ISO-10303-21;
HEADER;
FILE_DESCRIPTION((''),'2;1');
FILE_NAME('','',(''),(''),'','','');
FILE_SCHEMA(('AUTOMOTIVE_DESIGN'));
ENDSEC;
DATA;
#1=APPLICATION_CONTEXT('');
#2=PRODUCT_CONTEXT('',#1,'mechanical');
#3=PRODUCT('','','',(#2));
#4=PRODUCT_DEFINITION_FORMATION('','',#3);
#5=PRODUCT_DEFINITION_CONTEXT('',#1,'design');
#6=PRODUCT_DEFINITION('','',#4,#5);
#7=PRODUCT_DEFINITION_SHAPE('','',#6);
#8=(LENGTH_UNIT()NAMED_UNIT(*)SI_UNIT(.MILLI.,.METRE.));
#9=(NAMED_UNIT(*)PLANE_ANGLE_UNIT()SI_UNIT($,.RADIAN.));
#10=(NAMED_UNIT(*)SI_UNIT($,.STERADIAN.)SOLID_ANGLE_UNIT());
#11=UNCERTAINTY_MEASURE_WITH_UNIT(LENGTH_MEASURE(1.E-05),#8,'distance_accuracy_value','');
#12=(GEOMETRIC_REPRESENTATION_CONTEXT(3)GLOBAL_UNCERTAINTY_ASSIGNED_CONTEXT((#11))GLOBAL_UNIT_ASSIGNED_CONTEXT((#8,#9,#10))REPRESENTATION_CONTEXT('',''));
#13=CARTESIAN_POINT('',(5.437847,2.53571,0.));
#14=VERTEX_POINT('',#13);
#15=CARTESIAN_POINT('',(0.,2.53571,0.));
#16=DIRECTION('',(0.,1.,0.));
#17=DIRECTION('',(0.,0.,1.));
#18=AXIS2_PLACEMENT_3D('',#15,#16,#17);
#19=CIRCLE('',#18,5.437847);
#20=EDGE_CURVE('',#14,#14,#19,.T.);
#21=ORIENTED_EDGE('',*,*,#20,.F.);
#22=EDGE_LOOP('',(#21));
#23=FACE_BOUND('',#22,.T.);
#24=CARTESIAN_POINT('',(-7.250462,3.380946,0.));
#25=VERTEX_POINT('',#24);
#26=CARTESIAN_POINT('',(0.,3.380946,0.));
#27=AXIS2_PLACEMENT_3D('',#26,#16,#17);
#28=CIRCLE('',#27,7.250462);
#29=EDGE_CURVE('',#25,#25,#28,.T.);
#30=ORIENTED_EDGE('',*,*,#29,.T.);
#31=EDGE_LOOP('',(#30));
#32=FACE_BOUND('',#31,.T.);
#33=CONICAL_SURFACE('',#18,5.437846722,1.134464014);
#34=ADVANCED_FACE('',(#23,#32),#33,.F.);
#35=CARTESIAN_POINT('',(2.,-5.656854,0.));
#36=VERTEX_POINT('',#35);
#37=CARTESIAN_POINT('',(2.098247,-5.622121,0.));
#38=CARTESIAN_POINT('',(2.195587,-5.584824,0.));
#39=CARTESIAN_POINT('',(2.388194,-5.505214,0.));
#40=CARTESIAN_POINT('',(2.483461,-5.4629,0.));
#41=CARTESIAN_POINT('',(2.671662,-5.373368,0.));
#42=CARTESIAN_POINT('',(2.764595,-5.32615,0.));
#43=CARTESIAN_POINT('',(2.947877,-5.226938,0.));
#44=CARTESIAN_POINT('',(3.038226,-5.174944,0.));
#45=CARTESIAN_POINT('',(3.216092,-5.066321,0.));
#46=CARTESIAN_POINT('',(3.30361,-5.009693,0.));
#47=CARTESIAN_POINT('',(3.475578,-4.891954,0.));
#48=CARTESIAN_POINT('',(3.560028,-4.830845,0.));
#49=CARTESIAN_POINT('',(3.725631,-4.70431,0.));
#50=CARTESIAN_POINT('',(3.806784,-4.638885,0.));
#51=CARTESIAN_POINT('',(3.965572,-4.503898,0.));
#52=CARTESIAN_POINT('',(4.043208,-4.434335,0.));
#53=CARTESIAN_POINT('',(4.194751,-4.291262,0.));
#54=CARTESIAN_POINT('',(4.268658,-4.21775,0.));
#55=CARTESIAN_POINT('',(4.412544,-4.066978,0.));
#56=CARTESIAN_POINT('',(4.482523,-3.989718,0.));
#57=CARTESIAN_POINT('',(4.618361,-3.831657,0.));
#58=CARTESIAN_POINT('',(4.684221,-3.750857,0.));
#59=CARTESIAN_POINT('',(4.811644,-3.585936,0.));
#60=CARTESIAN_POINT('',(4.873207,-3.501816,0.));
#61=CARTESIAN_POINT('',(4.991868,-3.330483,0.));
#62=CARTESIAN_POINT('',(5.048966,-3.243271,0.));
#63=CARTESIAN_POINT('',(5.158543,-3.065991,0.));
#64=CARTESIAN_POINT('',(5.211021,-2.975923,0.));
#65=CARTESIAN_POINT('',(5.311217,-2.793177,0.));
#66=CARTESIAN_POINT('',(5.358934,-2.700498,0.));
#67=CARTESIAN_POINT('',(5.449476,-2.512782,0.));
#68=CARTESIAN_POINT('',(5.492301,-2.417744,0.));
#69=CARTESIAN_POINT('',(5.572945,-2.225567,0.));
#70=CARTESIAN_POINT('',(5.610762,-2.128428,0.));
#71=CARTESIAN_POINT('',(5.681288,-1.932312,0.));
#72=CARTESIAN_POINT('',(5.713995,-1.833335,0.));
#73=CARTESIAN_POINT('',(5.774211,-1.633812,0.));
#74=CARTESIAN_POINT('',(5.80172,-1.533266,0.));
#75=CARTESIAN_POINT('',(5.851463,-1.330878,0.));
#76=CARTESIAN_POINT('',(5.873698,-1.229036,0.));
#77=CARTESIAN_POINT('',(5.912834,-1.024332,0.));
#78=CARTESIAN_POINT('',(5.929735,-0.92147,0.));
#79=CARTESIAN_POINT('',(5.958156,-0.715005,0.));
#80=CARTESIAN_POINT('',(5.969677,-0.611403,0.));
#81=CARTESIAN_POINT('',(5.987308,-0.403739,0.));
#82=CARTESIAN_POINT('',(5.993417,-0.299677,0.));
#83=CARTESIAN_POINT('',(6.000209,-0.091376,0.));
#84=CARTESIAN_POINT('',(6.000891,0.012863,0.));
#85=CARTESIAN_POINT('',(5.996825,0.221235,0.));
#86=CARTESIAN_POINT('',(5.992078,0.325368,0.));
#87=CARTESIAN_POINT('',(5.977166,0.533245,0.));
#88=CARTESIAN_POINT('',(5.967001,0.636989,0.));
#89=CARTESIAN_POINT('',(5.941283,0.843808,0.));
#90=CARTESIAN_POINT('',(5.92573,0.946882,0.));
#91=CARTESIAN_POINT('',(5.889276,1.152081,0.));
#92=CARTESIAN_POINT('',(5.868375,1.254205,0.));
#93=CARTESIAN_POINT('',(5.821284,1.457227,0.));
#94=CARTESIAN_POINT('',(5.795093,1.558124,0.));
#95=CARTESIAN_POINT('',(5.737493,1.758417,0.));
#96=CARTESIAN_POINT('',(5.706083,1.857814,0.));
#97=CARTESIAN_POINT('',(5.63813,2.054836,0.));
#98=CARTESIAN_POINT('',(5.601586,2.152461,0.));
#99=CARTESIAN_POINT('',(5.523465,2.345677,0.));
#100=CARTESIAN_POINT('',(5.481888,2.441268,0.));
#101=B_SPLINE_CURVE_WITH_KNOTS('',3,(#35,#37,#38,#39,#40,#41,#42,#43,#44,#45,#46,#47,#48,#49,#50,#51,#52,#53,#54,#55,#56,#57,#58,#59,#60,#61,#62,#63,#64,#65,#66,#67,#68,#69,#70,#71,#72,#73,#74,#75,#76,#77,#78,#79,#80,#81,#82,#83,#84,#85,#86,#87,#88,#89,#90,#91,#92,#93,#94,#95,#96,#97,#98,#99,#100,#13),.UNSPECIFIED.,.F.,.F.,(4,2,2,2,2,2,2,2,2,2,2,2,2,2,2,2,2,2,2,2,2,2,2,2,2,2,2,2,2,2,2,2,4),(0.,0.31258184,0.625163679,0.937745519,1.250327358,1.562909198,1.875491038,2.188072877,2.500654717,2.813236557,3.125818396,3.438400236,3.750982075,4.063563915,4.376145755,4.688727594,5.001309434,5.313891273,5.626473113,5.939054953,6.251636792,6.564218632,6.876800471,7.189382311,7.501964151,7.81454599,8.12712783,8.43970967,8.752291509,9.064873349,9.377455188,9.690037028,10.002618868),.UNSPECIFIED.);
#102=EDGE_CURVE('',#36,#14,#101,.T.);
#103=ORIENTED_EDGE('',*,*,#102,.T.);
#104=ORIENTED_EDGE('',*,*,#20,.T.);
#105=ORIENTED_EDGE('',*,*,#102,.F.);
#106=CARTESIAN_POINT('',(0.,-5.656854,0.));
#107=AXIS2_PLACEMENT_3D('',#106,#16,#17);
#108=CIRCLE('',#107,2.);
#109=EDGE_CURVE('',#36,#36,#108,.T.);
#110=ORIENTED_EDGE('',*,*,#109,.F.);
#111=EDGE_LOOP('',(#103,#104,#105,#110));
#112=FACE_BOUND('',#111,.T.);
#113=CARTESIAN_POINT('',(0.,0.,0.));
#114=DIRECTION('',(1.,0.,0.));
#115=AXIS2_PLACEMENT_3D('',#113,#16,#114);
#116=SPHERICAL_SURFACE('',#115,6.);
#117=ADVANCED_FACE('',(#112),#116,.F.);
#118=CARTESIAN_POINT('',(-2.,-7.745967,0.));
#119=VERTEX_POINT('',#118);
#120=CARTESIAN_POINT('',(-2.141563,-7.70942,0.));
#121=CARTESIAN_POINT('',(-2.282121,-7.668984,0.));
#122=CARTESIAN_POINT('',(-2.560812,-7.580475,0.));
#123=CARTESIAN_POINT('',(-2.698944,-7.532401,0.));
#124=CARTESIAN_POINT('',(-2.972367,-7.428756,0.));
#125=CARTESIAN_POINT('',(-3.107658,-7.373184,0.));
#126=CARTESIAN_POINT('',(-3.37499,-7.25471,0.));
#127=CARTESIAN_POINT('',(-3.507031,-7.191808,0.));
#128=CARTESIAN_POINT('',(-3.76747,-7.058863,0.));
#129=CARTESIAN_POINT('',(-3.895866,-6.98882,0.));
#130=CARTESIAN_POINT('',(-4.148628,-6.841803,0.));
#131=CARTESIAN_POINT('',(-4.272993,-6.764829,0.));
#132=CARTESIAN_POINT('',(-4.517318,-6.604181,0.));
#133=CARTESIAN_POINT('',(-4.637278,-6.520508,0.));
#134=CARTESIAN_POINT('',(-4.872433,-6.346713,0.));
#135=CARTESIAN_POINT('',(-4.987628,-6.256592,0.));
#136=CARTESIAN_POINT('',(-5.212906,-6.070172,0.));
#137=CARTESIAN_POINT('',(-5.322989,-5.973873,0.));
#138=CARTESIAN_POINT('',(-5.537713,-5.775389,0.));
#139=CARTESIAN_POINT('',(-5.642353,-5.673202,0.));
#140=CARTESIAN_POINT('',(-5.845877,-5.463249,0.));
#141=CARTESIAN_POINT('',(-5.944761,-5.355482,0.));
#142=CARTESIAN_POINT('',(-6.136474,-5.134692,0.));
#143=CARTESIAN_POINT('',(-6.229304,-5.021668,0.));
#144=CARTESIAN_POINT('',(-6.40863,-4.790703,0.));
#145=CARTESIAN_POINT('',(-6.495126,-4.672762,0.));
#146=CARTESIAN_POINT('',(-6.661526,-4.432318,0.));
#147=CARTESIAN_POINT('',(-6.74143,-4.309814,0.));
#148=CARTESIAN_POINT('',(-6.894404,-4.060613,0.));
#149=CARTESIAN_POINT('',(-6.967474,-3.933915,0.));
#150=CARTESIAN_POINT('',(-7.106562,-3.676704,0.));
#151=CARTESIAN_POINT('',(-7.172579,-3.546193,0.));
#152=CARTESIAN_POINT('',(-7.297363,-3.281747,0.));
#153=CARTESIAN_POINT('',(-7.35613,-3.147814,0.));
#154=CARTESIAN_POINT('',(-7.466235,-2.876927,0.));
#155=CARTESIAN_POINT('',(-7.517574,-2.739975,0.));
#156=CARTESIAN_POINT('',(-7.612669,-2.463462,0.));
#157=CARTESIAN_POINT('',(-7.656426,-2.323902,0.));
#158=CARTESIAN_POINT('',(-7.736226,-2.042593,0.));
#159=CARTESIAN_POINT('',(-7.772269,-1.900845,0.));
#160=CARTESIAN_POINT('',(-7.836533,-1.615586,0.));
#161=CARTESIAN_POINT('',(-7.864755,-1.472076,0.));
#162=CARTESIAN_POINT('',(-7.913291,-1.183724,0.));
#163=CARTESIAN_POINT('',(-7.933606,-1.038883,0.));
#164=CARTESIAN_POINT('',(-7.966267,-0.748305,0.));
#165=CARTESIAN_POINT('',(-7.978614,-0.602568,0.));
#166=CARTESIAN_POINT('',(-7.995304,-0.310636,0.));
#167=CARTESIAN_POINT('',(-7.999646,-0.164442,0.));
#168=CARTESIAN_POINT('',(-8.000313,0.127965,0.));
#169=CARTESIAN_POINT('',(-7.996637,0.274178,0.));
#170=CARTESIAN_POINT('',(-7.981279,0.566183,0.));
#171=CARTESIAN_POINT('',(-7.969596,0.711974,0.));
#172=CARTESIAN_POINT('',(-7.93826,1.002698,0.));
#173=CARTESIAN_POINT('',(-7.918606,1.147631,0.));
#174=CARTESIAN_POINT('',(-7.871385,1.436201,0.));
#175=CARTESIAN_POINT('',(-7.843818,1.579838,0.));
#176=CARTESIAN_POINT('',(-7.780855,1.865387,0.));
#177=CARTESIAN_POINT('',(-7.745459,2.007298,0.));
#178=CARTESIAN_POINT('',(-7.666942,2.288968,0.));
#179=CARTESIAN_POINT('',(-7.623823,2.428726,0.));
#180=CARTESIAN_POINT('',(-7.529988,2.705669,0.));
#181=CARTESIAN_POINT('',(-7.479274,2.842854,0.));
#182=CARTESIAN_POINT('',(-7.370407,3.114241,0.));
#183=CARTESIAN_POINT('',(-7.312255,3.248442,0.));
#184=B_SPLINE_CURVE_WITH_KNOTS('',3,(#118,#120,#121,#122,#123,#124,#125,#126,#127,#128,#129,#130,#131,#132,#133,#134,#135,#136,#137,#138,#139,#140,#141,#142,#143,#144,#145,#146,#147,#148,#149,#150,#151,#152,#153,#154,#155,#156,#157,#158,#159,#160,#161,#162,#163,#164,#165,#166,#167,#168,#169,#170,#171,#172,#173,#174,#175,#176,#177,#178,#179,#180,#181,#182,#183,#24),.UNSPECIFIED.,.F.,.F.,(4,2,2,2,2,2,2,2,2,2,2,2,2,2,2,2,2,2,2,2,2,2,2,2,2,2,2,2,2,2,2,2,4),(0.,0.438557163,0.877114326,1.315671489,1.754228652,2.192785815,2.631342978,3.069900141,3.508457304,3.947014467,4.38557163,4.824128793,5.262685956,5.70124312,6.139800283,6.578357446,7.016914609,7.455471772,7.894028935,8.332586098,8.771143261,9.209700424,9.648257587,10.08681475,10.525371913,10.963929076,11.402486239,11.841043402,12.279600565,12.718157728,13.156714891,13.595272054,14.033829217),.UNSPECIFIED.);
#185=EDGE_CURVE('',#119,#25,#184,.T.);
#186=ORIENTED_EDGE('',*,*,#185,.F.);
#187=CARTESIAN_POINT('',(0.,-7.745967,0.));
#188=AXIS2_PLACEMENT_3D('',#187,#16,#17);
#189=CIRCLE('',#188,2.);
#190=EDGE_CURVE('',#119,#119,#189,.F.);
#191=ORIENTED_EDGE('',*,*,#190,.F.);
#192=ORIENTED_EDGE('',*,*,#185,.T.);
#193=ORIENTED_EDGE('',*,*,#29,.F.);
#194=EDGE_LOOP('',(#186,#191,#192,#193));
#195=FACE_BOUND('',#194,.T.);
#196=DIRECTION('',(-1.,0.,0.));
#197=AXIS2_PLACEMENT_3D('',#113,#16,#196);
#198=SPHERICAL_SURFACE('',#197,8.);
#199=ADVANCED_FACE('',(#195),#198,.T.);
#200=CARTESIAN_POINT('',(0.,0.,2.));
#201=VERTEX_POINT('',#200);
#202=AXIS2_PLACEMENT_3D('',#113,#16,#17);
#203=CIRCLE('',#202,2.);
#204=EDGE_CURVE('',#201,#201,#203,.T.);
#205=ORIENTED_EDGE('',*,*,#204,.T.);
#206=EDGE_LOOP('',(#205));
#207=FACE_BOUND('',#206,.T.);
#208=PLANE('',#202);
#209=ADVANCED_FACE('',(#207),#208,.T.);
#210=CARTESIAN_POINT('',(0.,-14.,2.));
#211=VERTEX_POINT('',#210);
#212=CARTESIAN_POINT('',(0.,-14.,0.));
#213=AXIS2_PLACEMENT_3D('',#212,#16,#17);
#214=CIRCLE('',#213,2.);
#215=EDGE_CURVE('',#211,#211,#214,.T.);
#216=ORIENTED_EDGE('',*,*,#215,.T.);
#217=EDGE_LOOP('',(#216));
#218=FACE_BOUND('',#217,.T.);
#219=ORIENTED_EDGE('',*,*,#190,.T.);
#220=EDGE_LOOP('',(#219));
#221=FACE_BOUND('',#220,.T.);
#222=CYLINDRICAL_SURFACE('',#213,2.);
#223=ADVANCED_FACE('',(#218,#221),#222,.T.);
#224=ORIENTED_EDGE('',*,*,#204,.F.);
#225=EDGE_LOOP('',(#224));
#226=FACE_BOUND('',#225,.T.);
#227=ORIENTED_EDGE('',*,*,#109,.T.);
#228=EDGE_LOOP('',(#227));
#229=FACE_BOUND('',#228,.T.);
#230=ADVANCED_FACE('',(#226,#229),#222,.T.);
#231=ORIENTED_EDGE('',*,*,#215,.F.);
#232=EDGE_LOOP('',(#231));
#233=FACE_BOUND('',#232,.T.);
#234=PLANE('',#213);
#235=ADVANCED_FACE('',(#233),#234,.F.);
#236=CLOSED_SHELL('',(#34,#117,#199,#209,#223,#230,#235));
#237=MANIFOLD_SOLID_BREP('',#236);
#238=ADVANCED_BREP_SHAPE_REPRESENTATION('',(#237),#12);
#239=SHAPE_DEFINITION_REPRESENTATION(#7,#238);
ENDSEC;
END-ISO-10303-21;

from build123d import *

# Parameters (mm, degrees)
ESQUISSE2_R        = 2
BOSS_EXTRU_1_DEPTH = 14


with BuildPart() as part:
    # Esquisse1 → Révolution1 (revolve)
    with BuildSketch(Plane.XY, mode=Mode.PRIVATE) as r_volution1_sk:
        with BuildLine():
            Line((-7.250462296, 3.380946094), (-5.437846722, 2.53570957))
            ThreePointArc((-5.437846722, 2.53570957), (-5.060348675, -3.22379765), (0, -6))
            Line((0, -6), (0, -8))
            ThreePointArc((0, -8), (-6.747131567, -4.298396867), (-7.250462296, 3.380946094))
        make_face()
    revolve(r_volution1_sk.sketch.rotate(Axis((0, 0, 0), (0, -1, 0)), 270), axis=Axis((0, 0, 0), (0, -1, 0)))

    # Esquisse2 → Boss.-Extru.1 (add)
    with BuildSketch(Plane(origin=(0, 0, 0), x_dir=(1, 0, 0), z_dir=(0, 1, 0))):
        with Locations(Location((0, 0, 0), (0, 0, 270))):
            Circle(ESQUISSE2_R)
    extrude(amount=-BOSS_EXTRU_1_DEPTH)


solid = part.part
